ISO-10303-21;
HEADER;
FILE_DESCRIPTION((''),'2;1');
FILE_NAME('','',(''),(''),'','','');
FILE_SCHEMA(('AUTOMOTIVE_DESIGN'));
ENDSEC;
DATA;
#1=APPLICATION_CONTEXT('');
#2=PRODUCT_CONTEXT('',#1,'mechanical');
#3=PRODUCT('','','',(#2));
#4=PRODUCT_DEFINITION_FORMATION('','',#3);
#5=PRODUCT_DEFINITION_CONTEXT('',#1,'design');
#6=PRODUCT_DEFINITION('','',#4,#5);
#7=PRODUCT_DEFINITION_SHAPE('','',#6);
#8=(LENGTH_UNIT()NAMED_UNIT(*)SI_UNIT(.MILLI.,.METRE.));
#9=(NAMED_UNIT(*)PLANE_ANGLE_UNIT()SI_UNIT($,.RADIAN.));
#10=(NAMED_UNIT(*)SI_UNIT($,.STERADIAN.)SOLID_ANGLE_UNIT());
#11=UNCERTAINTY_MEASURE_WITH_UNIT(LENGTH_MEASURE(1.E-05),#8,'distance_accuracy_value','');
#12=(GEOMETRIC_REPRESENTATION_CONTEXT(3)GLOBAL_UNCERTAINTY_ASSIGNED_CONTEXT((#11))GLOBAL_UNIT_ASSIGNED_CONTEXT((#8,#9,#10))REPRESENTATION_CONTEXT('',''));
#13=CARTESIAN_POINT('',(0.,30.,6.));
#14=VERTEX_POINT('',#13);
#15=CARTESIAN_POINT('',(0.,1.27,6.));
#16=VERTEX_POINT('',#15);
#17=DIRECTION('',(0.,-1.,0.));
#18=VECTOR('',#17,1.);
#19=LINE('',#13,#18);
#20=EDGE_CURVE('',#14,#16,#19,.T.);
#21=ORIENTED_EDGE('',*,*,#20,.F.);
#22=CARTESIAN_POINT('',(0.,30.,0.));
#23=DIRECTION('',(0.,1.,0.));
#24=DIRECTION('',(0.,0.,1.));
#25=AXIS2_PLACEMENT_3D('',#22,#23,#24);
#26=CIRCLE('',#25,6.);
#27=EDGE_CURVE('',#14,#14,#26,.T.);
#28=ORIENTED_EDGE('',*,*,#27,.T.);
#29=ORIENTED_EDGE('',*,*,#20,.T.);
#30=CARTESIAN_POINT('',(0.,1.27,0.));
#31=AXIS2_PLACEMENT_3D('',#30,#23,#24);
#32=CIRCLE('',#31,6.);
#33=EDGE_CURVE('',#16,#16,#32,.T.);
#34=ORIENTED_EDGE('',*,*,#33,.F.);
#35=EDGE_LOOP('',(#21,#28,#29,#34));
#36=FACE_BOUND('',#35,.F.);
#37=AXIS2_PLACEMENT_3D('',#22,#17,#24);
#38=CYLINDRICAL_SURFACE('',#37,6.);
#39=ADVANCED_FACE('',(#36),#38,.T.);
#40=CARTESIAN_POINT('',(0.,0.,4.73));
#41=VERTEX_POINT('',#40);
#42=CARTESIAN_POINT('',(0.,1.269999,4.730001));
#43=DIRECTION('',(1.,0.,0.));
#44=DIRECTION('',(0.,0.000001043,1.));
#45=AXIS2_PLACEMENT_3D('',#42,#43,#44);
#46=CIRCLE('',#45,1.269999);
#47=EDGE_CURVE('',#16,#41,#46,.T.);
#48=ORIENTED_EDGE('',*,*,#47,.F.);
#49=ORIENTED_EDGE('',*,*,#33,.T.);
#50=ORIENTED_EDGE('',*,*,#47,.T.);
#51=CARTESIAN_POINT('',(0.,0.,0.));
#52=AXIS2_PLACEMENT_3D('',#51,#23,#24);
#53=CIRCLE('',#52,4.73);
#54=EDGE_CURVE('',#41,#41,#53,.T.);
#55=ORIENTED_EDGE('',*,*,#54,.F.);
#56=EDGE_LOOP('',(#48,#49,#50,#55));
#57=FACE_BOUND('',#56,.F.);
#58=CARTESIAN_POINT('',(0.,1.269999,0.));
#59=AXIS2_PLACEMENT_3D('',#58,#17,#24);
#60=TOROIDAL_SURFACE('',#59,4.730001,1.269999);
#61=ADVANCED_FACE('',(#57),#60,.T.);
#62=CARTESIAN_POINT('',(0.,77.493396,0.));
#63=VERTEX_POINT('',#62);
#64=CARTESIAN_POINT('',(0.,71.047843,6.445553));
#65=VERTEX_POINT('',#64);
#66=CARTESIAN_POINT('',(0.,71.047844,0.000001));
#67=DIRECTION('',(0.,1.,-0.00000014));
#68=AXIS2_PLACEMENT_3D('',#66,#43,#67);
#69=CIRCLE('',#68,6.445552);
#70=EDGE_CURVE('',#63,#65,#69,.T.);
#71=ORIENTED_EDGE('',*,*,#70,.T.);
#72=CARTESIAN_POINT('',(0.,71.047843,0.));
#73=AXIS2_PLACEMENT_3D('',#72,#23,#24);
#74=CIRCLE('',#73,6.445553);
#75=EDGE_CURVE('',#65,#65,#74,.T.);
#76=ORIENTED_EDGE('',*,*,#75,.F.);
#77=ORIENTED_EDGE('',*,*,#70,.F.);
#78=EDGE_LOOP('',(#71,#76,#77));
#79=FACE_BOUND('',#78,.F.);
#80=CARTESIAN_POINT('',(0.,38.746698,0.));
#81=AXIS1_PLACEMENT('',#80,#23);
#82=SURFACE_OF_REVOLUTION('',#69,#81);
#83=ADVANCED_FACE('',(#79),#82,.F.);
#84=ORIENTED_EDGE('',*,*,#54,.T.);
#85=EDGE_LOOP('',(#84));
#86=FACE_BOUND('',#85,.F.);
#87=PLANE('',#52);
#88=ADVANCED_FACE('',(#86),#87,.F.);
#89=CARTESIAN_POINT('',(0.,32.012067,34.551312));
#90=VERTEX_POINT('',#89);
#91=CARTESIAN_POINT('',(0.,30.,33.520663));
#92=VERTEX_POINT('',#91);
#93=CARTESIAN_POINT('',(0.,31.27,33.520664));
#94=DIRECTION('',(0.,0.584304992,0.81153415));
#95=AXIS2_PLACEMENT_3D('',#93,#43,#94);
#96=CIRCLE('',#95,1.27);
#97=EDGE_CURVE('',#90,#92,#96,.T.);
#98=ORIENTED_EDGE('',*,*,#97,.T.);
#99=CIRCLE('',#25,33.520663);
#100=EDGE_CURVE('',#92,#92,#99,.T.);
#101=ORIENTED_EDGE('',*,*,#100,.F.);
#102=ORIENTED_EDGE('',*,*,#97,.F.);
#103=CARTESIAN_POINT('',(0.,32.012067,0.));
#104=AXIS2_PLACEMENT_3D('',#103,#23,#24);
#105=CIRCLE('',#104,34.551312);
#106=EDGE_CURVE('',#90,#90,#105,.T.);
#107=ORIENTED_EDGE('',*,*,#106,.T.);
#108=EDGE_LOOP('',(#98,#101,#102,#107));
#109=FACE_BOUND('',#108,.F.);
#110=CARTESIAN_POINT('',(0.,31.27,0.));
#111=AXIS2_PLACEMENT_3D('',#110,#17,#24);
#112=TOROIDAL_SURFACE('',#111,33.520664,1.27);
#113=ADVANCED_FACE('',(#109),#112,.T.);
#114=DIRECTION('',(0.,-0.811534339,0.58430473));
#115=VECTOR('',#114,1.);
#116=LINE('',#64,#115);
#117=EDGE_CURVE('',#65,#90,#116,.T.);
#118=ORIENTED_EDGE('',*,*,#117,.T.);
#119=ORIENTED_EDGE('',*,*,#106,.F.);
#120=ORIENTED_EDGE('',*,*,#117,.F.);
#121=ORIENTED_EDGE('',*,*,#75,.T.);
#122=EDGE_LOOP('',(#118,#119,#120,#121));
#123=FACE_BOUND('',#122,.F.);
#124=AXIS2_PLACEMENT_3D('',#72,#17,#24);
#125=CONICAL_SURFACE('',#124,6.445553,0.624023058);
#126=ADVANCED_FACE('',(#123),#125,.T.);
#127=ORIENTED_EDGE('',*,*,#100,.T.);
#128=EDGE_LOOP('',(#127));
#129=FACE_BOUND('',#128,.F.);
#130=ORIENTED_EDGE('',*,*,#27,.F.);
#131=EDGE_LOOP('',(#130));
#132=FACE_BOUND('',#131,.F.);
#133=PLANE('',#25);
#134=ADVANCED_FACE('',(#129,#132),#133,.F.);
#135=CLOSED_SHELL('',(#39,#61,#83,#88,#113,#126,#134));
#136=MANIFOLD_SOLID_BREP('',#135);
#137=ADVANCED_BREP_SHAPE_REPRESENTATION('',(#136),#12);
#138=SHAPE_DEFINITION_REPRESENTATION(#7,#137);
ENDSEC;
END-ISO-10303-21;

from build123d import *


with BuildPart() as f1:
    # F0 (on Right) → F1 (revolve)
    with BuildSketch(Plane.YZ):
        with BuildLine():
            Line((0, 4.73), (0, 0))
            Line((0, 0), (77.493396, 0))
            ThreePointArc((77.493396, 0), (75.605537, 4.557695), (71.047843, 6.445553))
            Line((71.047843, 6.445553), (32.012067, 34.551312))
            ThreePointArc((32.012067, 34.551312), (30.691003, 34.651001), (30, 33.520663))
            Line((30, 33.520663), (30, 6))
            Line((30, 6), (1.27, 6))
            ThreePointArc((1.27, 6), (0.371974, 5.628026), (0, 4.73))
        make_face()
    revolve(axis=Axis((0, 38.746698, 0), (0, 1, 0)))


solid = f1.part
